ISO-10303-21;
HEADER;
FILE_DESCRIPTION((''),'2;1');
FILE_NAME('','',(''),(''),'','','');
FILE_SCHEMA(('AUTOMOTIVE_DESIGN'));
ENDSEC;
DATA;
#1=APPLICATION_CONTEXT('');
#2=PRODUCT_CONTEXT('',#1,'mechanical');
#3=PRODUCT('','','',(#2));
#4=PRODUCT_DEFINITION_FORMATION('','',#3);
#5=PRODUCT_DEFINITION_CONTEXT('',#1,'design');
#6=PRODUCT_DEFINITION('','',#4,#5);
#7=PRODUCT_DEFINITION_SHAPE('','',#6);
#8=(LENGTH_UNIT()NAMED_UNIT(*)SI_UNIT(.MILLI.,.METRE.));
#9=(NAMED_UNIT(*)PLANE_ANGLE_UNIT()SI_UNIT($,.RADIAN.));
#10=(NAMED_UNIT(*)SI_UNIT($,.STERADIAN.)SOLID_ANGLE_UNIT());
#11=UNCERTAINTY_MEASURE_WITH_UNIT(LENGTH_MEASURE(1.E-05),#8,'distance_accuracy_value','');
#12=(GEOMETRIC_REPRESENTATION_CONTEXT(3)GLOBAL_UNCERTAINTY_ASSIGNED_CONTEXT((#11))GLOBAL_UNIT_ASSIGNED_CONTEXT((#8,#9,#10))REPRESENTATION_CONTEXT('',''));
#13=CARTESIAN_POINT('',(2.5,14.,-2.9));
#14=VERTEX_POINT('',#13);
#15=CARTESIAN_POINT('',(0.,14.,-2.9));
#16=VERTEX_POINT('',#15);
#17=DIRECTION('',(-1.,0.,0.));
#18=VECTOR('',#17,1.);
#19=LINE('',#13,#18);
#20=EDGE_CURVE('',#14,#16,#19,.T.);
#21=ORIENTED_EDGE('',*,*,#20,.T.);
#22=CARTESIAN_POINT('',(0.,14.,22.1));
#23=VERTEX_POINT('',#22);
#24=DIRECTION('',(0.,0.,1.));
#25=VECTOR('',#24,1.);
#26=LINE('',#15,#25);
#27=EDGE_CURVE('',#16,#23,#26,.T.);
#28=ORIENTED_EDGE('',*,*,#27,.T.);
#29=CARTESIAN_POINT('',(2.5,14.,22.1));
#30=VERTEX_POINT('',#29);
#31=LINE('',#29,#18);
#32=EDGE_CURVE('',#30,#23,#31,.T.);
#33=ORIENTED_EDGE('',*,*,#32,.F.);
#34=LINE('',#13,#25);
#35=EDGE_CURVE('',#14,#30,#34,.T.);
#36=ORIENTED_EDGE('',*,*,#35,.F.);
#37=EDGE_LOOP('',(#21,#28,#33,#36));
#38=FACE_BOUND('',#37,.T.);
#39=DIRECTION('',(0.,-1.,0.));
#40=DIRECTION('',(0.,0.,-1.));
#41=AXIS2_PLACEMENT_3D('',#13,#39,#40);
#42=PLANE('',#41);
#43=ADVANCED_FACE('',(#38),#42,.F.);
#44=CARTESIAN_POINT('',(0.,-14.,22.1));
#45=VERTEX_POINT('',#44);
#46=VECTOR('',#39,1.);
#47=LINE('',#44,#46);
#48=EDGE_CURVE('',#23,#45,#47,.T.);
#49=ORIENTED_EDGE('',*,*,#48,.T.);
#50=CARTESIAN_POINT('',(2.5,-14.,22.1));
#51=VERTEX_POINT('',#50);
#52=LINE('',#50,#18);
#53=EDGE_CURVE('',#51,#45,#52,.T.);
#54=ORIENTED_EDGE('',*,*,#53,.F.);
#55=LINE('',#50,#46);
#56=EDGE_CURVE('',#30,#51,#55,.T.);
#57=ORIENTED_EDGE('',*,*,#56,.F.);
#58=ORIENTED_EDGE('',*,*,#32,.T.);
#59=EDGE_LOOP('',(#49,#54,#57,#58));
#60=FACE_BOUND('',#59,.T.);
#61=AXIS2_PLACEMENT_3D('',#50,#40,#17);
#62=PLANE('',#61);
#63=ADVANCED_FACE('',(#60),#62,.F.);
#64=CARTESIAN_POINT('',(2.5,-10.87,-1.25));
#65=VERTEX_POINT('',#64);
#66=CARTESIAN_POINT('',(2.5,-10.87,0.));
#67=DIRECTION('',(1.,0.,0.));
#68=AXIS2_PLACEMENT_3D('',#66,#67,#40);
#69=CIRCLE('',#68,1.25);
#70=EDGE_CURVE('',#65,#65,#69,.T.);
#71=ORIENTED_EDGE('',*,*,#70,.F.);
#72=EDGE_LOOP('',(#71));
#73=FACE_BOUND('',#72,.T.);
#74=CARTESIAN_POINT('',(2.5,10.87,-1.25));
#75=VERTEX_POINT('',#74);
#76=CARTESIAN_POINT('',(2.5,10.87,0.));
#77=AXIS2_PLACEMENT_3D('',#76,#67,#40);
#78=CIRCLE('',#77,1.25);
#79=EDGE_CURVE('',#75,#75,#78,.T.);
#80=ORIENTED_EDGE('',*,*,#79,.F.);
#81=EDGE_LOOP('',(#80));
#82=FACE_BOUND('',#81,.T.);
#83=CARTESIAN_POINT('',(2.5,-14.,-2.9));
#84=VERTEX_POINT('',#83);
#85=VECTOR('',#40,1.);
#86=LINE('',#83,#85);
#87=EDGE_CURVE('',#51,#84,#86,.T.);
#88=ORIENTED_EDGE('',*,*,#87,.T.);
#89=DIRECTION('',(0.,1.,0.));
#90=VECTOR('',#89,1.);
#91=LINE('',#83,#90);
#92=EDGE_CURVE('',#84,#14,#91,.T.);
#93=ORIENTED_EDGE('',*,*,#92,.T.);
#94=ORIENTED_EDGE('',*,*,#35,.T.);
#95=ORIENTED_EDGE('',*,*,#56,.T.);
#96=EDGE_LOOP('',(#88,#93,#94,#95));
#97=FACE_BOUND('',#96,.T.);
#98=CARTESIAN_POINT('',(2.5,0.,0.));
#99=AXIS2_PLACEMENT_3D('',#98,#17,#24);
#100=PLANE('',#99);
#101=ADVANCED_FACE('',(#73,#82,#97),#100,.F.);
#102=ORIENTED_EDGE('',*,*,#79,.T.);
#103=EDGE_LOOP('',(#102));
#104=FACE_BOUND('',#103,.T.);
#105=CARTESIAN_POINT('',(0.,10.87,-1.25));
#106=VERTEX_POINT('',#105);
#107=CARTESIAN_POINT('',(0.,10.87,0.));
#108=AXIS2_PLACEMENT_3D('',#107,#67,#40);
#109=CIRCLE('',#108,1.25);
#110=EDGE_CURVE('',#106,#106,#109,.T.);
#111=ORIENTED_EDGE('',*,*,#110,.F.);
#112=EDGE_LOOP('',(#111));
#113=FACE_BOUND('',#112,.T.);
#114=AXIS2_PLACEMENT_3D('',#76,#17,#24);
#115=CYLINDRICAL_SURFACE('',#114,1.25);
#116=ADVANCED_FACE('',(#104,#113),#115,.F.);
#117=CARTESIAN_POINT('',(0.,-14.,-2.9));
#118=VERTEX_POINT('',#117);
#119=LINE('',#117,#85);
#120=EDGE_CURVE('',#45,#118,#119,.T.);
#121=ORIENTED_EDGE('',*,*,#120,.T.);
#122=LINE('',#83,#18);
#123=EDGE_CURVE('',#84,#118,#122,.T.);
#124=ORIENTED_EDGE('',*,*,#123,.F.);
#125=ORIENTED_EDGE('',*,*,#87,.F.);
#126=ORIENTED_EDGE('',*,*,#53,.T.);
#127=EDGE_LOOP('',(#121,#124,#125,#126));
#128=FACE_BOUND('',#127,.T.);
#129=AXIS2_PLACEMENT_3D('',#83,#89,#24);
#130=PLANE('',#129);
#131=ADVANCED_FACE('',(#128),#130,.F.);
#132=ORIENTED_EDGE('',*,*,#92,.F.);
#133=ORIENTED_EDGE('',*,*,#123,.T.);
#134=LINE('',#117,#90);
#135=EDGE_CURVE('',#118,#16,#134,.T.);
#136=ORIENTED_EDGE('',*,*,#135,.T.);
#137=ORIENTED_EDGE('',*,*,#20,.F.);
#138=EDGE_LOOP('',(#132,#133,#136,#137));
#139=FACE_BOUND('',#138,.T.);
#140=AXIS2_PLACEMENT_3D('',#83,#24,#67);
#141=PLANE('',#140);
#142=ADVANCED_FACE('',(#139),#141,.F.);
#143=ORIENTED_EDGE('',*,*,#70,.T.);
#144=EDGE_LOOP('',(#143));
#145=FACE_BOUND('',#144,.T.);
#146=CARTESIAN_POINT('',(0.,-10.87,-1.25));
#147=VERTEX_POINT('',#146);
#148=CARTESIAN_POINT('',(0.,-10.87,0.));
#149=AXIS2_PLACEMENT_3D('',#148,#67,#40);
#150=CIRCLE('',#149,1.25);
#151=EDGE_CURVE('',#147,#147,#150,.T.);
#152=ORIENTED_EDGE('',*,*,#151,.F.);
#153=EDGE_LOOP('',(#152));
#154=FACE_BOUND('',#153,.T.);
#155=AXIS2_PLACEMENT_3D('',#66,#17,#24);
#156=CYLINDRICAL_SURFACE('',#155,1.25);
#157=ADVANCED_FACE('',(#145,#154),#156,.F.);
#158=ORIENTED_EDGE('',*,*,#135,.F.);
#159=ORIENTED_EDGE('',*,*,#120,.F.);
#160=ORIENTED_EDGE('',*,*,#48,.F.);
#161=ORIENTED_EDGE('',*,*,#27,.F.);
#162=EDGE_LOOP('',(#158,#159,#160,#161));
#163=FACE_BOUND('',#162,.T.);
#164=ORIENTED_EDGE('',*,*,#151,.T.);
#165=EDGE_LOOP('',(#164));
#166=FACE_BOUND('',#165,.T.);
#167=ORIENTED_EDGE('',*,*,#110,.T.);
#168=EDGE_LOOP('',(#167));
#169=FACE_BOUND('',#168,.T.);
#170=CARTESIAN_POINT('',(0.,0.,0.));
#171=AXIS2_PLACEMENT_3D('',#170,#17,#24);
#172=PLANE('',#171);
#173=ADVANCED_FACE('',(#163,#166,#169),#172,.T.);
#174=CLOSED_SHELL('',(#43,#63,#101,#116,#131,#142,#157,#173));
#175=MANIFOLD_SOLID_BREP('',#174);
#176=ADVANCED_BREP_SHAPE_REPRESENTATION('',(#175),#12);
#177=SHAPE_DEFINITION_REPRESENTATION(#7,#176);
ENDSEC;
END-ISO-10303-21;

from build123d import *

# Parameters (mm, degrees)
IZIM1_W                     = 28
IZIM1_H                     = 25
IZIM1_R                     = 1.25
Y_KSEKLIK_EKSTR_ZYON1_DEPTH = 2.5


with BuildPart() as part:
    # Çizim1 → Yükseklik-Ekstrüzyon1 (new body)
    with BuildSketch(Plane.YZ):
        with Locations((0, 9.6)):
            Rectangle(IZIM1_W, IZIM1_H)
        with Locations(Location((-10.87, 0, 0), (0, 0, 270))):
            Circle(IZIM1_R, mode=Mode.SUBTRACT)
        with Locations(Location((10.87, 0, 0), (0, 0, 270))):
            Circle(IZIM1_R, mode=Mode.SUBTRACT)
    extrude(amount=Y_KSEKLIK_EKSTR_ZYON1_DEPTH)


solid = part.part
